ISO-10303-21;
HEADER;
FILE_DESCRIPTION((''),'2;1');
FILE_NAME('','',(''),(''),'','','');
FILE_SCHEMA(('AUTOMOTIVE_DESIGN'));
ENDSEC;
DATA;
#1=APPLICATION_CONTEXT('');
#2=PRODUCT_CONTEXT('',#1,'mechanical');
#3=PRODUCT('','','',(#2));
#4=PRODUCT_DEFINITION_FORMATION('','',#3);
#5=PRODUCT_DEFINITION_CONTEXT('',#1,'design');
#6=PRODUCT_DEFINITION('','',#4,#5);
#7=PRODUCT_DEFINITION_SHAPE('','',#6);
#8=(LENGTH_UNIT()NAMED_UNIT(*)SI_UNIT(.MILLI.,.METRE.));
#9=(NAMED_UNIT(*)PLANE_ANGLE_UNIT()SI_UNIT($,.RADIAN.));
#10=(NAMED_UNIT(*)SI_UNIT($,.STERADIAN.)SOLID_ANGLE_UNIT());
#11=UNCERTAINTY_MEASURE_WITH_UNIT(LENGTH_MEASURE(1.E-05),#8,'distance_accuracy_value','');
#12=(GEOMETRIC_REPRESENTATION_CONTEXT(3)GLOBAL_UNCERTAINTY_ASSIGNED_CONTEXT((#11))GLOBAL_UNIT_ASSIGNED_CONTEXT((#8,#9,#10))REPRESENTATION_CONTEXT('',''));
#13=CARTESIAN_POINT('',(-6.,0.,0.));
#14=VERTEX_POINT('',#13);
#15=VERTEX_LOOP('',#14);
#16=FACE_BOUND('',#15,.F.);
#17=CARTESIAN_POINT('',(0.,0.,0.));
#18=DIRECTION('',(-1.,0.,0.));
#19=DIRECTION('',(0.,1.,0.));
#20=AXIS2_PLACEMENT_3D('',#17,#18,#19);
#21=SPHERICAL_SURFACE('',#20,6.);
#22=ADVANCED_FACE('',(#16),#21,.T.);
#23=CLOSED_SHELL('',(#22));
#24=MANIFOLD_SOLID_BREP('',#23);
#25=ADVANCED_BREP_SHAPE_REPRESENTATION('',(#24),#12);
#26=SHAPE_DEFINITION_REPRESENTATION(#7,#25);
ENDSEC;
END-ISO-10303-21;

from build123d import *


with BuildPart() as part:
    # Sketch1 → Revolve3 (revolve)
    with BuildSketch(Plane.XY):
        with BuildLine():
            Line((-6, 0), (6, 0))
            ThreePointArc((6, 0), (0, 6), (-6, 0))
        make_face()
    revolve(axis=Axis((-6.173115056, 0, 0), (1, 0, 0)))


solid = part.part
